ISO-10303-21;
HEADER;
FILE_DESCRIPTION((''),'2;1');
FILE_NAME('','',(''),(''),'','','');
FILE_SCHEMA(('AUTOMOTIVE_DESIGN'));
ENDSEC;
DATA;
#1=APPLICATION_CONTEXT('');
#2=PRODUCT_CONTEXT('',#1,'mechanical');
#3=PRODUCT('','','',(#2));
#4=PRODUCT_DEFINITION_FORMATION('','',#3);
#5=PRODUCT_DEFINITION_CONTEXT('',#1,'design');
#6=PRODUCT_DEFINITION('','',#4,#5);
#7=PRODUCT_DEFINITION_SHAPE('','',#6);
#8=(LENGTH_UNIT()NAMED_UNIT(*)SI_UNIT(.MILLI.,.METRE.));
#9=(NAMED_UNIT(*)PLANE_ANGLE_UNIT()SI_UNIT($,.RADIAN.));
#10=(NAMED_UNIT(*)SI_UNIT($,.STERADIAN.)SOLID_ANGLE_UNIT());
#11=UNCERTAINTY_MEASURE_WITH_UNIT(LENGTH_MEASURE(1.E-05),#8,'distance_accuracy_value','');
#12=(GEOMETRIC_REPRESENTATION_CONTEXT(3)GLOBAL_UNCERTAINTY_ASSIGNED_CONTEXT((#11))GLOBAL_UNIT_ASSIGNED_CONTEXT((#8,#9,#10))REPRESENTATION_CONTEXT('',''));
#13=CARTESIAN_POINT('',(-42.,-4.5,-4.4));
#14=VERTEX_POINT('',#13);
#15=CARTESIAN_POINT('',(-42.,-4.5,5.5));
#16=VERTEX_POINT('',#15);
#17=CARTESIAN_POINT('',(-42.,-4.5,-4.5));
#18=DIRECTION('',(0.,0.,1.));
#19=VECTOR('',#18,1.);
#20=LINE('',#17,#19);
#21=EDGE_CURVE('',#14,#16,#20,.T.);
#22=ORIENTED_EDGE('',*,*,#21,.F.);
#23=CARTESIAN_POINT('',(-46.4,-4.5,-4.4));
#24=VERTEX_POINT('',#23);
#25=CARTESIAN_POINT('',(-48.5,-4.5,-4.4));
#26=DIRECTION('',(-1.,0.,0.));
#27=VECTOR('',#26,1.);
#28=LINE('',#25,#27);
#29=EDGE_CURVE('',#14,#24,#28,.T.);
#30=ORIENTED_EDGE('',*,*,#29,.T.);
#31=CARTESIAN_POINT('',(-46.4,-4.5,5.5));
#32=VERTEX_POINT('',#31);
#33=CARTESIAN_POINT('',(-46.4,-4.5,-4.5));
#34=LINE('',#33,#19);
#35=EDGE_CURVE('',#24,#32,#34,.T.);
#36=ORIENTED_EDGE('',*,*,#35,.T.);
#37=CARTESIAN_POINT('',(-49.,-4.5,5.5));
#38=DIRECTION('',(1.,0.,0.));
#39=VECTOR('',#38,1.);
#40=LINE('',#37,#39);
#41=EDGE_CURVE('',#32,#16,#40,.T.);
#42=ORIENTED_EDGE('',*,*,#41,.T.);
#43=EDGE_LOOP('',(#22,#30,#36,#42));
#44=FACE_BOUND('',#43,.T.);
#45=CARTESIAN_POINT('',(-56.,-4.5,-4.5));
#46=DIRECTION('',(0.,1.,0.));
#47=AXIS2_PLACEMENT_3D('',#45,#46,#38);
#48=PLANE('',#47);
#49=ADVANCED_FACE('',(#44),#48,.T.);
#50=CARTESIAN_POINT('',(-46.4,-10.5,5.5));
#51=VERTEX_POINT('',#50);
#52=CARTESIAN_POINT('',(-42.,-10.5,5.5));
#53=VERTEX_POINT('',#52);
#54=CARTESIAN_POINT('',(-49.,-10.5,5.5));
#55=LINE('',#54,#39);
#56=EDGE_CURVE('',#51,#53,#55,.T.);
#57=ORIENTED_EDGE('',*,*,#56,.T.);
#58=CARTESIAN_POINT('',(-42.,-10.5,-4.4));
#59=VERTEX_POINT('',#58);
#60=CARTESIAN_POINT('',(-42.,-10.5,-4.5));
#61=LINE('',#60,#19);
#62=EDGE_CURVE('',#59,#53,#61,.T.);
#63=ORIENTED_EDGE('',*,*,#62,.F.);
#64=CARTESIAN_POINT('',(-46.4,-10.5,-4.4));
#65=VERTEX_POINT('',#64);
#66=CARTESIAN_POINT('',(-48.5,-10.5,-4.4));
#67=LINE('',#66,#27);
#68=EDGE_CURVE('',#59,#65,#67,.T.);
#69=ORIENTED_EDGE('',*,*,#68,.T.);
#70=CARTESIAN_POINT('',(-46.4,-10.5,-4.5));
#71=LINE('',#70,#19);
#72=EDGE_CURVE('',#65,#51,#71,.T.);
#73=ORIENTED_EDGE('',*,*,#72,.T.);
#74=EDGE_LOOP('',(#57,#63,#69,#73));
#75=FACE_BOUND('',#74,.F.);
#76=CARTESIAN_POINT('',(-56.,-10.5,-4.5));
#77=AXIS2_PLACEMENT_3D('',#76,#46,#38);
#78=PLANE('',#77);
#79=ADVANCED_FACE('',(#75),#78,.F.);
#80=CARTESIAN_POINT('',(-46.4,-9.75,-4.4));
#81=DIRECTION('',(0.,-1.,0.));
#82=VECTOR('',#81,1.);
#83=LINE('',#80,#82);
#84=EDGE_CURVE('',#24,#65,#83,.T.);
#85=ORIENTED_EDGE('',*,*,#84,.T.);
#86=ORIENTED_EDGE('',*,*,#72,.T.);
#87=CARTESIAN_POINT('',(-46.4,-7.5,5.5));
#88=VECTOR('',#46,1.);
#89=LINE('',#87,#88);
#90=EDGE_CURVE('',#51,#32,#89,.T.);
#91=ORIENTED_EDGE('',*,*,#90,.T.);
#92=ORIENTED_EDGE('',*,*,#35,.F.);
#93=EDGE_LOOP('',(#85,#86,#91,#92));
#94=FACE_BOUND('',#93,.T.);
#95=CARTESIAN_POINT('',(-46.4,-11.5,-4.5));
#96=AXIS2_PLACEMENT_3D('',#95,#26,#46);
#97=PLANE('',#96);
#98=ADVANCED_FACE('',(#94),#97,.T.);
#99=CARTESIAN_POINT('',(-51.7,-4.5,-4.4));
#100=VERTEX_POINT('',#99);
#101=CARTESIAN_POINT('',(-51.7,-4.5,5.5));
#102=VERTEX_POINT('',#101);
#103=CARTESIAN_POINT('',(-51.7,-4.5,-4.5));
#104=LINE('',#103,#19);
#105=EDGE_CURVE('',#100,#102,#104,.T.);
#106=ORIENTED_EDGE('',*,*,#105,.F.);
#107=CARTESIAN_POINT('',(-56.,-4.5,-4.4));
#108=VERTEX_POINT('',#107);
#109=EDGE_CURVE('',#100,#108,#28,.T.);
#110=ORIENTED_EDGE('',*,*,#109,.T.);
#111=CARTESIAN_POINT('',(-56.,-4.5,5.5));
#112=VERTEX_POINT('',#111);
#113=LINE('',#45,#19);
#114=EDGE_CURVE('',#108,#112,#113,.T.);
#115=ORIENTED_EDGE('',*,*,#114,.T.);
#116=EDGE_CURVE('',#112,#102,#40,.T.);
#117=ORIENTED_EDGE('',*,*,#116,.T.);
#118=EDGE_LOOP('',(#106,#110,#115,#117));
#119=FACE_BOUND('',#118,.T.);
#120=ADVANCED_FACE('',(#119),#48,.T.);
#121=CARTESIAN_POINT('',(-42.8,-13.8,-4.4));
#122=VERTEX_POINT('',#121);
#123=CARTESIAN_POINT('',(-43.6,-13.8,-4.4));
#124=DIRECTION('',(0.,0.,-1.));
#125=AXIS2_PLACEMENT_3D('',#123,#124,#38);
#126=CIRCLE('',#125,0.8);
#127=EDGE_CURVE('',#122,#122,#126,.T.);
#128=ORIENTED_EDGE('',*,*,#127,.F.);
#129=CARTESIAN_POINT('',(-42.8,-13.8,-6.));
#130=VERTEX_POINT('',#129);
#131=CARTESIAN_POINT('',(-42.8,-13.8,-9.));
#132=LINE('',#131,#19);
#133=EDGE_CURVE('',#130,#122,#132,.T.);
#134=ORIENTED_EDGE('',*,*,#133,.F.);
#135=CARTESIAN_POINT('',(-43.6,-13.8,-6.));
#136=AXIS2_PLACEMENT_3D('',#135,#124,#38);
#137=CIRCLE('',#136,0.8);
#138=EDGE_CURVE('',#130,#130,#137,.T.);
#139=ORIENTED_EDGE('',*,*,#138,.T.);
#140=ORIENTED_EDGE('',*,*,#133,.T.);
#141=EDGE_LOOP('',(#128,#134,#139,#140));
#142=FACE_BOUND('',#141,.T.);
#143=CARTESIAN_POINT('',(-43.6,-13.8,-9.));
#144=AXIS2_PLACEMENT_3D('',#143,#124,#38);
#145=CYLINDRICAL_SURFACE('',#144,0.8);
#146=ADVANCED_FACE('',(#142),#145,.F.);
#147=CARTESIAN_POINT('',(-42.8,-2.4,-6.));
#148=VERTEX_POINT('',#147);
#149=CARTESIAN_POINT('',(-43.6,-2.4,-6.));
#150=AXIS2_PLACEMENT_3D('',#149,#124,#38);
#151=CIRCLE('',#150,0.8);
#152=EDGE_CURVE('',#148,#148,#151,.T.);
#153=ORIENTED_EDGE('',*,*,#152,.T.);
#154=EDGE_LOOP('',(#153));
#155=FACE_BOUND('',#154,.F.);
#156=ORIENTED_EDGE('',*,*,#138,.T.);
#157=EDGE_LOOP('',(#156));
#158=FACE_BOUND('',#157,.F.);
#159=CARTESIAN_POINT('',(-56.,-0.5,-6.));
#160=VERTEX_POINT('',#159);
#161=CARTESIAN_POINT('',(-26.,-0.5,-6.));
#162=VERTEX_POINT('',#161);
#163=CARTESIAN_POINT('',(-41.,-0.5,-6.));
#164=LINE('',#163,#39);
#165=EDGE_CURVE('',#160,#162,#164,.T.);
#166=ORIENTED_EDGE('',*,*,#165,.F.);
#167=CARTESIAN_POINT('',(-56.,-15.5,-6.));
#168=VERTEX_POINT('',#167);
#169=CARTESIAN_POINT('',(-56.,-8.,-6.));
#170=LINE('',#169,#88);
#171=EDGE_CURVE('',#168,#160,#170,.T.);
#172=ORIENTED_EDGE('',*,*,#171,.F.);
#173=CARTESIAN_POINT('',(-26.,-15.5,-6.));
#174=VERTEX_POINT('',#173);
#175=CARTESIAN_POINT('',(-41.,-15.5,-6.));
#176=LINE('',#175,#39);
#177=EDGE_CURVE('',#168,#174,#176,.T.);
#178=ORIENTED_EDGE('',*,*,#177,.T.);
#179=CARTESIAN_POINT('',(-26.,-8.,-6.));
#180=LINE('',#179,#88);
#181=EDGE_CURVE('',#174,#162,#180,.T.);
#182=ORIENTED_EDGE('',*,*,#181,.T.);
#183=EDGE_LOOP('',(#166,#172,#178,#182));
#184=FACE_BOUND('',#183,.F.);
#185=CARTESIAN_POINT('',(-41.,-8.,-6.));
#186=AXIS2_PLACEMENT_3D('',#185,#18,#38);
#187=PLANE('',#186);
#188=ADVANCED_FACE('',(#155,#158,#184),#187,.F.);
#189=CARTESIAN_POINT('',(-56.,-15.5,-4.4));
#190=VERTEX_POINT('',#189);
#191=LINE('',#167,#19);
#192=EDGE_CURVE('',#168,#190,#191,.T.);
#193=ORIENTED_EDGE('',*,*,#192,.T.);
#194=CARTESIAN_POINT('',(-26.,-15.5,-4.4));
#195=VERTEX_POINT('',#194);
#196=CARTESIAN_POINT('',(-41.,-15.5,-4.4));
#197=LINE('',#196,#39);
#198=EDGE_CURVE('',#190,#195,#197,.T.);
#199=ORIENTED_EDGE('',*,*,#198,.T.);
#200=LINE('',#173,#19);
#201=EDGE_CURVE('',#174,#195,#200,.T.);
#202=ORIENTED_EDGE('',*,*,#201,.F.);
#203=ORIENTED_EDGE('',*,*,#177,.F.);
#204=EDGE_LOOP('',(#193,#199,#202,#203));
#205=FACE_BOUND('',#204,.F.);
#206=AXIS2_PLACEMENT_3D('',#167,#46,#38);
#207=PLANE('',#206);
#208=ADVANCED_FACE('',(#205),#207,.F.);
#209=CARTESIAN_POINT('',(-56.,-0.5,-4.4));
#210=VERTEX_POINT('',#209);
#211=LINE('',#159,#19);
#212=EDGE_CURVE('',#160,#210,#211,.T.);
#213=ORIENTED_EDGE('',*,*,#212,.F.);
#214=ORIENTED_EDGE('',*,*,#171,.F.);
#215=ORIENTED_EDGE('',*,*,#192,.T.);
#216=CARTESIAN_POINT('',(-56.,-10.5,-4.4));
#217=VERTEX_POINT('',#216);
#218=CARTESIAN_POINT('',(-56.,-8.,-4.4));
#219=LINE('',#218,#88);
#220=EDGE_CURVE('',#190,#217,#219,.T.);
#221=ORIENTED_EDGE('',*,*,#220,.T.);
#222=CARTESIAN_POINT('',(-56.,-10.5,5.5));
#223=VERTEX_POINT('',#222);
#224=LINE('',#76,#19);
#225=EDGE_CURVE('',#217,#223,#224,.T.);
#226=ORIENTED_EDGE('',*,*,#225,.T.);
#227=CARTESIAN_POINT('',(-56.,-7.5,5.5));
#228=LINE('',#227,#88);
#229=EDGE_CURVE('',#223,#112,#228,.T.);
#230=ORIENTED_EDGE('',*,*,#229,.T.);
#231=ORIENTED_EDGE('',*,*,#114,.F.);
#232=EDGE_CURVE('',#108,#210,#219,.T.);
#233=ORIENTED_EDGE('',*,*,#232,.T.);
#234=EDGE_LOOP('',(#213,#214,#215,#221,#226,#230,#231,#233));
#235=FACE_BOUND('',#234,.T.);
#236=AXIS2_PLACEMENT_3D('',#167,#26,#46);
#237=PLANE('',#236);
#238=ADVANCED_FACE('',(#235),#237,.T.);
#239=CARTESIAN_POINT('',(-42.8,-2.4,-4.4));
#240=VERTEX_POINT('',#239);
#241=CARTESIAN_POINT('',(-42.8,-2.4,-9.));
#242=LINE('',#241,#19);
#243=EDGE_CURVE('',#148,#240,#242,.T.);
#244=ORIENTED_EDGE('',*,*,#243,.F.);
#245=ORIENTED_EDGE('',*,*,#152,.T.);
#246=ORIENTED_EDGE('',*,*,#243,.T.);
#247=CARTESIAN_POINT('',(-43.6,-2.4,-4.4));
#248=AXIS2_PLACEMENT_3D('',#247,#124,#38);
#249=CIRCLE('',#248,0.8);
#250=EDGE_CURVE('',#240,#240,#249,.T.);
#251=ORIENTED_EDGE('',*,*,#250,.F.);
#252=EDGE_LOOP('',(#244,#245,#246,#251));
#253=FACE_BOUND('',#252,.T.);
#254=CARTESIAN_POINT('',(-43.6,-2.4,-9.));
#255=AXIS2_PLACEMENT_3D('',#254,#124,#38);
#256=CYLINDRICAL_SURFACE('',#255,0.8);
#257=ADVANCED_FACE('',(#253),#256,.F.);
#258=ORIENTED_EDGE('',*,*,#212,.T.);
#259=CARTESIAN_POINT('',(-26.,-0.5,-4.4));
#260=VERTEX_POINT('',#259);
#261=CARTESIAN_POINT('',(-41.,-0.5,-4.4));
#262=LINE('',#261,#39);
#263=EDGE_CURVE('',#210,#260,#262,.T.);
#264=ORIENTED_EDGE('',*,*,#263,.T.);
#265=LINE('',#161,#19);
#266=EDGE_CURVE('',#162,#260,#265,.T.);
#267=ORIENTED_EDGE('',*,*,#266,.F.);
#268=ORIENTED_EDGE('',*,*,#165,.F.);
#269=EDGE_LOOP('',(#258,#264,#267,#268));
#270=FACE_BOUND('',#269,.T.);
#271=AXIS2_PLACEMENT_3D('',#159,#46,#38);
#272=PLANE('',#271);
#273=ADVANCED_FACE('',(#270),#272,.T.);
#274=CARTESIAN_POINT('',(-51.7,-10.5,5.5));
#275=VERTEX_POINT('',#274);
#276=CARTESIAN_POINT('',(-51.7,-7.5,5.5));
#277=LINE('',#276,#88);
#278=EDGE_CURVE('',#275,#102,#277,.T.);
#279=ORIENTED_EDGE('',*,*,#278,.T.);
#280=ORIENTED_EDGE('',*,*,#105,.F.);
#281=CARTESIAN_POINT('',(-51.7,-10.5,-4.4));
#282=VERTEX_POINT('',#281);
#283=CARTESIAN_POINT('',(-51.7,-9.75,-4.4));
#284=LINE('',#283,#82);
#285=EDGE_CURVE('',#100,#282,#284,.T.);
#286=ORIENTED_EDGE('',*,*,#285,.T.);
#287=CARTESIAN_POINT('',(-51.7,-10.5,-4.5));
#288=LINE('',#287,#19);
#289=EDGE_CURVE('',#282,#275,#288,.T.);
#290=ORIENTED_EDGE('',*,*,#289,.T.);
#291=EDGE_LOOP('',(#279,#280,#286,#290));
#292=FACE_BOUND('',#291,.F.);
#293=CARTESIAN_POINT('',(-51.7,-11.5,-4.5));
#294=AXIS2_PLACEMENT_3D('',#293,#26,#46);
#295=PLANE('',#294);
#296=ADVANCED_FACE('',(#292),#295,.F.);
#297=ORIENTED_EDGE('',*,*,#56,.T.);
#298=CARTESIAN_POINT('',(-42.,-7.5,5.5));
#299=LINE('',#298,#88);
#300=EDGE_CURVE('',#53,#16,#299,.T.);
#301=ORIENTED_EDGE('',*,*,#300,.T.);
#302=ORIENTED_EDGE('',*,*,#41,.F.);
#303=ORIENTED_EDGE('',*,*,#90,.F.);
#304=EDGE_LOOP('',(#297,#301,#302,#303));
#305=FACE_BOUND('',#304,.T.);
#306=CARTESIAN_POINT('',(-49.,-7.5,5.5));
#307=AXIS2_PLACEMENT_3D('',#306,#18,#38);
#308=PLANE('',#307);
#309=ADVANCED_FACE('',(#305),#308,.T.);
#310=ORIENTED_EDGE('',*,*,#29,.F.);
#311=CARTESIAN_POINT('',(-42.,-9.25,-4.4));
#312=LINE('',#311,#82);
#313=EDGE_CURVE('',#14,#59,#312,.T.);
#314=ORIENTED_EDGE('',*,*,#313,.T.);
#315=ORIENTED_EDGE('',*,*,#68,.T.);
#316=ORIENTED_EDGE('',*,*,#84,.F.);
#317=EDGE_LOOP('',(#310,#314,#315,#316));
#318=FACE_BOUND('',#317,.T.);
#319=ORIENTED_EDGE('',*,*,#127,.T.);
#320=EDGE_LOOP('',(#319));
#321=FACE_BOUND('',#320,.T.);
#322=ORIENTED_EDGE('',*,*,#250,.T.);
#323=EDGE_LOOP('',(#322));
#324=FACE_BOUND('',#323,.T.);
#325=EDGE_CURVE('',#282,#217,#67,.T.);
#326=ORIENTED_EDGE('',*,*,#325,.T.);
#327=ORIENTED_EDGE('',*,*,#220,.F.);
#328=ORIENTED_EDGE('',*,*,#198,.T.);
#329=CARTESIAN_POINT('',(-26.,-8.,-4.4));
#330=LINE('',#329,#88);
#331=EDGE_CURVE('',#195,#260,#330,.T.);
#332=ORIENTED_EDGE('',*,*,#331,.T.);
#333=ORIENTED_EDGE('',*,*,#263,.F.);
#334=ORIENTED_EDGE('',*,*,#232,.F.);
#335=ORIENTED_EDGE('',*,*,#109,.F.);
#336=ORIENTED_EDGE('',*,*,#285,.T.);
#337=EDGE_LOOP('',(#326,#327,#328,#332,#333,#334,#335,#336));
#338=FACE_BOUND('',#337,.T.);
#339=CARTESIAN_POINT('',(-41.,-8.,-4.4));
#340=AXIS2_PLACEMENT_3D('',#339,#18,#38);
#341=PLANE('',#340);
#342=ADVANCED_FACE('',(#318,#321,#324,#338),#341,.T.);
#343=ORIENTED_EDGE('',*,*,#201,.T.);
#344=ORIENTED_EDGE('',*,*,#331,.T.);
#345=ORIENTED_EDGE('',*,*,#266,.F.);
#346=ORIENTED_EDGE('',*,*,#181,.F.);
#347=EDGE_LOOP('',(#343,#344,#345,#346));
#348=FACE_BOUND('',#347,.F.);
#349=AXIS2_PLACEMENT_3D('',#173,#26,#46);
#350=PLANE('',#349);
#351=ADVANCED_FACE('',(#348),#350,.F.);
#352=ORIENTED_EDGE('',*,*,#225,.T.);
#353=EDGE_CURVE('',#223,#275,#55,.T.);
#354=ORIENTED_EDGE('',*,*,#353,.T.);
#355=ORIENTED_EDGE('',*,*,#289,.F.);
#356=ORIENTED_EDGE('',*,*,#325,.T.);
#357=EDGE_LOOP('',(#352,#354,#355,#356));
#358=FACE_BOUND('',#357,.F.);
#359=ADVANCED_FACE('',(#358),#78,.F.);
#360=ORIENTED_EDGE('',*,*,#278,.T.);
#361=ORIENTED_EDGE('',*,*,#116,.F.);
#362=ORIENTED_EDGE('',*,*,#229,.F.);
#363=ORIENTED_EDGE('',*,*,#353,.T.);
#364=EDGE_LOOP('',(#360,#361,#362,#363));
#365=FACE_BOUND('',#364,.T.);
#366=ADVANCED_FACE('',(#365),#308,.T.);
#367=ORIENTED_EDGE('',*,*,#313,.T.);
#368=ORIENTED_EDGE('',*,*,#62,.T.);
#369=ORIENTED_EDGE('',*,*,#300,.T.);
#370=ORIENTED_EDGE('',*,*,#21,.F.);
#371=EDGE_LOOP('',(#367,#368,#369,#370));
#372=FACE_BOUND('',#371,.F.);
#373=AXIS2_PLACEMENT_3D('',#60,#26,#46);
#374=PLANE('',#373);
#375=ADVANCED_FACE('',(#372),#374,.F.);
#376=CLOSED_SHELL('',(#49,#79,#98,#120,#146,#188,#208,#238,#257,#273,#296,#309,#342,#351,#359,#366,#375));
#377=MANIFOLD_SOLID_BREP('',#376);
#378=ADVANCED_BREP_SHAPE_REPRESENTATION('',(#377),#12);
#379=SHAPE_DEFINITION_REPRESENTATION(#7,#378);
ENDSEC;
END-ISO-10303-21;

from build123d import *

# Parameters (mm, degrees)
CYLINDER078_R     = 0.8
CYLINDER078_DEPTH = 14.5
CYLINDER077_R     = 0.8
CYLINDER077_DEPTH = 14.5
BOX042_W          = 5.3
BOX042_H          = 8
BOX042_DEPTH      = 10
BOX041_W          = 14
BOX041_H          = 6
BOX041_DEPTH      = 10
BOX040_W          = 30
BOX040_H          = 15
BOX040_DEPTH      = 1.6


with BuildPart() as cylinder130:
    # Cylinder078 → Cylinder078 (new body)
    with BuildSketch(Plane(origin=(-43.6, -13.8, -9), x_dir=(1, 0, 0), z_dir=(0, 0, 1))):
        Circle(CYLINDER078_R)
    extrude(amount=CYLINDER078_DEPTH)


with BuildPart() as fusion109:
    # Cylinder077 → Cylinder077 (new body)
    with BuildSketch(Plane(origin=(-43.6, -2.4, -9), x_dir=(1, 0, 0), z_dir=(0, 0, 1))):
        Circle(CYLINDER077_R)
    extrude(amount=CYLINDER077_DEPTH)

    # Fusion109: union Cylinder130
    add(cylinder130.part)


with BuildPart() as cube040:
    # Box042 → Box042 (new body)
    with BuildSketch(Plane(origin=(-51.7, -11.5, -4.5), x_dir=(1, 0, 0), z_dir=(0, 0, 1))):
        with Locations((2.65, 4)):
            Rectangle(BOX042_W, BOX042_H)
    extrude(amount=BOX042_DEPTH)


with BuildPart() as cut045025:
    # Box041 → Box041 (new body)
    with BuildSketch(Plane(origin=(-56, -10.5, -4.5), x_dir=(1, 0, 0), z_dir=(0, 0, 1))):
        with Locations((7, 3)):
            Rectangle(BOX041_W, BOX041_H)
    extrude(amount=BOX041_DEPTH)

    # Cut045025: cut Cube040
    add(cube040.part, mode=Mode.SUBTRACT)


with BuildPart() as spoke_sensor_pcb001:
    # Box040 → Box040 (new body)
    with BuildSketch(Plane(origin=(-56, -15.5, -6), x_dir=(1, 0, 0), z_dir=(0, 0, 1))):
        with Locations((15, 7.5)):
            Rectangle(BOX040_W, BOX040_H)
    extrude(amount=BOX040_DEPTH)

    # Fusion108: union Cut045025
    add(cut045025.part)

    # Cut045026: cut Fusion109
    add(fusion109.part, mode=Mode.SUBTRACT)


solid = spoke_sensor_pcb001.part
